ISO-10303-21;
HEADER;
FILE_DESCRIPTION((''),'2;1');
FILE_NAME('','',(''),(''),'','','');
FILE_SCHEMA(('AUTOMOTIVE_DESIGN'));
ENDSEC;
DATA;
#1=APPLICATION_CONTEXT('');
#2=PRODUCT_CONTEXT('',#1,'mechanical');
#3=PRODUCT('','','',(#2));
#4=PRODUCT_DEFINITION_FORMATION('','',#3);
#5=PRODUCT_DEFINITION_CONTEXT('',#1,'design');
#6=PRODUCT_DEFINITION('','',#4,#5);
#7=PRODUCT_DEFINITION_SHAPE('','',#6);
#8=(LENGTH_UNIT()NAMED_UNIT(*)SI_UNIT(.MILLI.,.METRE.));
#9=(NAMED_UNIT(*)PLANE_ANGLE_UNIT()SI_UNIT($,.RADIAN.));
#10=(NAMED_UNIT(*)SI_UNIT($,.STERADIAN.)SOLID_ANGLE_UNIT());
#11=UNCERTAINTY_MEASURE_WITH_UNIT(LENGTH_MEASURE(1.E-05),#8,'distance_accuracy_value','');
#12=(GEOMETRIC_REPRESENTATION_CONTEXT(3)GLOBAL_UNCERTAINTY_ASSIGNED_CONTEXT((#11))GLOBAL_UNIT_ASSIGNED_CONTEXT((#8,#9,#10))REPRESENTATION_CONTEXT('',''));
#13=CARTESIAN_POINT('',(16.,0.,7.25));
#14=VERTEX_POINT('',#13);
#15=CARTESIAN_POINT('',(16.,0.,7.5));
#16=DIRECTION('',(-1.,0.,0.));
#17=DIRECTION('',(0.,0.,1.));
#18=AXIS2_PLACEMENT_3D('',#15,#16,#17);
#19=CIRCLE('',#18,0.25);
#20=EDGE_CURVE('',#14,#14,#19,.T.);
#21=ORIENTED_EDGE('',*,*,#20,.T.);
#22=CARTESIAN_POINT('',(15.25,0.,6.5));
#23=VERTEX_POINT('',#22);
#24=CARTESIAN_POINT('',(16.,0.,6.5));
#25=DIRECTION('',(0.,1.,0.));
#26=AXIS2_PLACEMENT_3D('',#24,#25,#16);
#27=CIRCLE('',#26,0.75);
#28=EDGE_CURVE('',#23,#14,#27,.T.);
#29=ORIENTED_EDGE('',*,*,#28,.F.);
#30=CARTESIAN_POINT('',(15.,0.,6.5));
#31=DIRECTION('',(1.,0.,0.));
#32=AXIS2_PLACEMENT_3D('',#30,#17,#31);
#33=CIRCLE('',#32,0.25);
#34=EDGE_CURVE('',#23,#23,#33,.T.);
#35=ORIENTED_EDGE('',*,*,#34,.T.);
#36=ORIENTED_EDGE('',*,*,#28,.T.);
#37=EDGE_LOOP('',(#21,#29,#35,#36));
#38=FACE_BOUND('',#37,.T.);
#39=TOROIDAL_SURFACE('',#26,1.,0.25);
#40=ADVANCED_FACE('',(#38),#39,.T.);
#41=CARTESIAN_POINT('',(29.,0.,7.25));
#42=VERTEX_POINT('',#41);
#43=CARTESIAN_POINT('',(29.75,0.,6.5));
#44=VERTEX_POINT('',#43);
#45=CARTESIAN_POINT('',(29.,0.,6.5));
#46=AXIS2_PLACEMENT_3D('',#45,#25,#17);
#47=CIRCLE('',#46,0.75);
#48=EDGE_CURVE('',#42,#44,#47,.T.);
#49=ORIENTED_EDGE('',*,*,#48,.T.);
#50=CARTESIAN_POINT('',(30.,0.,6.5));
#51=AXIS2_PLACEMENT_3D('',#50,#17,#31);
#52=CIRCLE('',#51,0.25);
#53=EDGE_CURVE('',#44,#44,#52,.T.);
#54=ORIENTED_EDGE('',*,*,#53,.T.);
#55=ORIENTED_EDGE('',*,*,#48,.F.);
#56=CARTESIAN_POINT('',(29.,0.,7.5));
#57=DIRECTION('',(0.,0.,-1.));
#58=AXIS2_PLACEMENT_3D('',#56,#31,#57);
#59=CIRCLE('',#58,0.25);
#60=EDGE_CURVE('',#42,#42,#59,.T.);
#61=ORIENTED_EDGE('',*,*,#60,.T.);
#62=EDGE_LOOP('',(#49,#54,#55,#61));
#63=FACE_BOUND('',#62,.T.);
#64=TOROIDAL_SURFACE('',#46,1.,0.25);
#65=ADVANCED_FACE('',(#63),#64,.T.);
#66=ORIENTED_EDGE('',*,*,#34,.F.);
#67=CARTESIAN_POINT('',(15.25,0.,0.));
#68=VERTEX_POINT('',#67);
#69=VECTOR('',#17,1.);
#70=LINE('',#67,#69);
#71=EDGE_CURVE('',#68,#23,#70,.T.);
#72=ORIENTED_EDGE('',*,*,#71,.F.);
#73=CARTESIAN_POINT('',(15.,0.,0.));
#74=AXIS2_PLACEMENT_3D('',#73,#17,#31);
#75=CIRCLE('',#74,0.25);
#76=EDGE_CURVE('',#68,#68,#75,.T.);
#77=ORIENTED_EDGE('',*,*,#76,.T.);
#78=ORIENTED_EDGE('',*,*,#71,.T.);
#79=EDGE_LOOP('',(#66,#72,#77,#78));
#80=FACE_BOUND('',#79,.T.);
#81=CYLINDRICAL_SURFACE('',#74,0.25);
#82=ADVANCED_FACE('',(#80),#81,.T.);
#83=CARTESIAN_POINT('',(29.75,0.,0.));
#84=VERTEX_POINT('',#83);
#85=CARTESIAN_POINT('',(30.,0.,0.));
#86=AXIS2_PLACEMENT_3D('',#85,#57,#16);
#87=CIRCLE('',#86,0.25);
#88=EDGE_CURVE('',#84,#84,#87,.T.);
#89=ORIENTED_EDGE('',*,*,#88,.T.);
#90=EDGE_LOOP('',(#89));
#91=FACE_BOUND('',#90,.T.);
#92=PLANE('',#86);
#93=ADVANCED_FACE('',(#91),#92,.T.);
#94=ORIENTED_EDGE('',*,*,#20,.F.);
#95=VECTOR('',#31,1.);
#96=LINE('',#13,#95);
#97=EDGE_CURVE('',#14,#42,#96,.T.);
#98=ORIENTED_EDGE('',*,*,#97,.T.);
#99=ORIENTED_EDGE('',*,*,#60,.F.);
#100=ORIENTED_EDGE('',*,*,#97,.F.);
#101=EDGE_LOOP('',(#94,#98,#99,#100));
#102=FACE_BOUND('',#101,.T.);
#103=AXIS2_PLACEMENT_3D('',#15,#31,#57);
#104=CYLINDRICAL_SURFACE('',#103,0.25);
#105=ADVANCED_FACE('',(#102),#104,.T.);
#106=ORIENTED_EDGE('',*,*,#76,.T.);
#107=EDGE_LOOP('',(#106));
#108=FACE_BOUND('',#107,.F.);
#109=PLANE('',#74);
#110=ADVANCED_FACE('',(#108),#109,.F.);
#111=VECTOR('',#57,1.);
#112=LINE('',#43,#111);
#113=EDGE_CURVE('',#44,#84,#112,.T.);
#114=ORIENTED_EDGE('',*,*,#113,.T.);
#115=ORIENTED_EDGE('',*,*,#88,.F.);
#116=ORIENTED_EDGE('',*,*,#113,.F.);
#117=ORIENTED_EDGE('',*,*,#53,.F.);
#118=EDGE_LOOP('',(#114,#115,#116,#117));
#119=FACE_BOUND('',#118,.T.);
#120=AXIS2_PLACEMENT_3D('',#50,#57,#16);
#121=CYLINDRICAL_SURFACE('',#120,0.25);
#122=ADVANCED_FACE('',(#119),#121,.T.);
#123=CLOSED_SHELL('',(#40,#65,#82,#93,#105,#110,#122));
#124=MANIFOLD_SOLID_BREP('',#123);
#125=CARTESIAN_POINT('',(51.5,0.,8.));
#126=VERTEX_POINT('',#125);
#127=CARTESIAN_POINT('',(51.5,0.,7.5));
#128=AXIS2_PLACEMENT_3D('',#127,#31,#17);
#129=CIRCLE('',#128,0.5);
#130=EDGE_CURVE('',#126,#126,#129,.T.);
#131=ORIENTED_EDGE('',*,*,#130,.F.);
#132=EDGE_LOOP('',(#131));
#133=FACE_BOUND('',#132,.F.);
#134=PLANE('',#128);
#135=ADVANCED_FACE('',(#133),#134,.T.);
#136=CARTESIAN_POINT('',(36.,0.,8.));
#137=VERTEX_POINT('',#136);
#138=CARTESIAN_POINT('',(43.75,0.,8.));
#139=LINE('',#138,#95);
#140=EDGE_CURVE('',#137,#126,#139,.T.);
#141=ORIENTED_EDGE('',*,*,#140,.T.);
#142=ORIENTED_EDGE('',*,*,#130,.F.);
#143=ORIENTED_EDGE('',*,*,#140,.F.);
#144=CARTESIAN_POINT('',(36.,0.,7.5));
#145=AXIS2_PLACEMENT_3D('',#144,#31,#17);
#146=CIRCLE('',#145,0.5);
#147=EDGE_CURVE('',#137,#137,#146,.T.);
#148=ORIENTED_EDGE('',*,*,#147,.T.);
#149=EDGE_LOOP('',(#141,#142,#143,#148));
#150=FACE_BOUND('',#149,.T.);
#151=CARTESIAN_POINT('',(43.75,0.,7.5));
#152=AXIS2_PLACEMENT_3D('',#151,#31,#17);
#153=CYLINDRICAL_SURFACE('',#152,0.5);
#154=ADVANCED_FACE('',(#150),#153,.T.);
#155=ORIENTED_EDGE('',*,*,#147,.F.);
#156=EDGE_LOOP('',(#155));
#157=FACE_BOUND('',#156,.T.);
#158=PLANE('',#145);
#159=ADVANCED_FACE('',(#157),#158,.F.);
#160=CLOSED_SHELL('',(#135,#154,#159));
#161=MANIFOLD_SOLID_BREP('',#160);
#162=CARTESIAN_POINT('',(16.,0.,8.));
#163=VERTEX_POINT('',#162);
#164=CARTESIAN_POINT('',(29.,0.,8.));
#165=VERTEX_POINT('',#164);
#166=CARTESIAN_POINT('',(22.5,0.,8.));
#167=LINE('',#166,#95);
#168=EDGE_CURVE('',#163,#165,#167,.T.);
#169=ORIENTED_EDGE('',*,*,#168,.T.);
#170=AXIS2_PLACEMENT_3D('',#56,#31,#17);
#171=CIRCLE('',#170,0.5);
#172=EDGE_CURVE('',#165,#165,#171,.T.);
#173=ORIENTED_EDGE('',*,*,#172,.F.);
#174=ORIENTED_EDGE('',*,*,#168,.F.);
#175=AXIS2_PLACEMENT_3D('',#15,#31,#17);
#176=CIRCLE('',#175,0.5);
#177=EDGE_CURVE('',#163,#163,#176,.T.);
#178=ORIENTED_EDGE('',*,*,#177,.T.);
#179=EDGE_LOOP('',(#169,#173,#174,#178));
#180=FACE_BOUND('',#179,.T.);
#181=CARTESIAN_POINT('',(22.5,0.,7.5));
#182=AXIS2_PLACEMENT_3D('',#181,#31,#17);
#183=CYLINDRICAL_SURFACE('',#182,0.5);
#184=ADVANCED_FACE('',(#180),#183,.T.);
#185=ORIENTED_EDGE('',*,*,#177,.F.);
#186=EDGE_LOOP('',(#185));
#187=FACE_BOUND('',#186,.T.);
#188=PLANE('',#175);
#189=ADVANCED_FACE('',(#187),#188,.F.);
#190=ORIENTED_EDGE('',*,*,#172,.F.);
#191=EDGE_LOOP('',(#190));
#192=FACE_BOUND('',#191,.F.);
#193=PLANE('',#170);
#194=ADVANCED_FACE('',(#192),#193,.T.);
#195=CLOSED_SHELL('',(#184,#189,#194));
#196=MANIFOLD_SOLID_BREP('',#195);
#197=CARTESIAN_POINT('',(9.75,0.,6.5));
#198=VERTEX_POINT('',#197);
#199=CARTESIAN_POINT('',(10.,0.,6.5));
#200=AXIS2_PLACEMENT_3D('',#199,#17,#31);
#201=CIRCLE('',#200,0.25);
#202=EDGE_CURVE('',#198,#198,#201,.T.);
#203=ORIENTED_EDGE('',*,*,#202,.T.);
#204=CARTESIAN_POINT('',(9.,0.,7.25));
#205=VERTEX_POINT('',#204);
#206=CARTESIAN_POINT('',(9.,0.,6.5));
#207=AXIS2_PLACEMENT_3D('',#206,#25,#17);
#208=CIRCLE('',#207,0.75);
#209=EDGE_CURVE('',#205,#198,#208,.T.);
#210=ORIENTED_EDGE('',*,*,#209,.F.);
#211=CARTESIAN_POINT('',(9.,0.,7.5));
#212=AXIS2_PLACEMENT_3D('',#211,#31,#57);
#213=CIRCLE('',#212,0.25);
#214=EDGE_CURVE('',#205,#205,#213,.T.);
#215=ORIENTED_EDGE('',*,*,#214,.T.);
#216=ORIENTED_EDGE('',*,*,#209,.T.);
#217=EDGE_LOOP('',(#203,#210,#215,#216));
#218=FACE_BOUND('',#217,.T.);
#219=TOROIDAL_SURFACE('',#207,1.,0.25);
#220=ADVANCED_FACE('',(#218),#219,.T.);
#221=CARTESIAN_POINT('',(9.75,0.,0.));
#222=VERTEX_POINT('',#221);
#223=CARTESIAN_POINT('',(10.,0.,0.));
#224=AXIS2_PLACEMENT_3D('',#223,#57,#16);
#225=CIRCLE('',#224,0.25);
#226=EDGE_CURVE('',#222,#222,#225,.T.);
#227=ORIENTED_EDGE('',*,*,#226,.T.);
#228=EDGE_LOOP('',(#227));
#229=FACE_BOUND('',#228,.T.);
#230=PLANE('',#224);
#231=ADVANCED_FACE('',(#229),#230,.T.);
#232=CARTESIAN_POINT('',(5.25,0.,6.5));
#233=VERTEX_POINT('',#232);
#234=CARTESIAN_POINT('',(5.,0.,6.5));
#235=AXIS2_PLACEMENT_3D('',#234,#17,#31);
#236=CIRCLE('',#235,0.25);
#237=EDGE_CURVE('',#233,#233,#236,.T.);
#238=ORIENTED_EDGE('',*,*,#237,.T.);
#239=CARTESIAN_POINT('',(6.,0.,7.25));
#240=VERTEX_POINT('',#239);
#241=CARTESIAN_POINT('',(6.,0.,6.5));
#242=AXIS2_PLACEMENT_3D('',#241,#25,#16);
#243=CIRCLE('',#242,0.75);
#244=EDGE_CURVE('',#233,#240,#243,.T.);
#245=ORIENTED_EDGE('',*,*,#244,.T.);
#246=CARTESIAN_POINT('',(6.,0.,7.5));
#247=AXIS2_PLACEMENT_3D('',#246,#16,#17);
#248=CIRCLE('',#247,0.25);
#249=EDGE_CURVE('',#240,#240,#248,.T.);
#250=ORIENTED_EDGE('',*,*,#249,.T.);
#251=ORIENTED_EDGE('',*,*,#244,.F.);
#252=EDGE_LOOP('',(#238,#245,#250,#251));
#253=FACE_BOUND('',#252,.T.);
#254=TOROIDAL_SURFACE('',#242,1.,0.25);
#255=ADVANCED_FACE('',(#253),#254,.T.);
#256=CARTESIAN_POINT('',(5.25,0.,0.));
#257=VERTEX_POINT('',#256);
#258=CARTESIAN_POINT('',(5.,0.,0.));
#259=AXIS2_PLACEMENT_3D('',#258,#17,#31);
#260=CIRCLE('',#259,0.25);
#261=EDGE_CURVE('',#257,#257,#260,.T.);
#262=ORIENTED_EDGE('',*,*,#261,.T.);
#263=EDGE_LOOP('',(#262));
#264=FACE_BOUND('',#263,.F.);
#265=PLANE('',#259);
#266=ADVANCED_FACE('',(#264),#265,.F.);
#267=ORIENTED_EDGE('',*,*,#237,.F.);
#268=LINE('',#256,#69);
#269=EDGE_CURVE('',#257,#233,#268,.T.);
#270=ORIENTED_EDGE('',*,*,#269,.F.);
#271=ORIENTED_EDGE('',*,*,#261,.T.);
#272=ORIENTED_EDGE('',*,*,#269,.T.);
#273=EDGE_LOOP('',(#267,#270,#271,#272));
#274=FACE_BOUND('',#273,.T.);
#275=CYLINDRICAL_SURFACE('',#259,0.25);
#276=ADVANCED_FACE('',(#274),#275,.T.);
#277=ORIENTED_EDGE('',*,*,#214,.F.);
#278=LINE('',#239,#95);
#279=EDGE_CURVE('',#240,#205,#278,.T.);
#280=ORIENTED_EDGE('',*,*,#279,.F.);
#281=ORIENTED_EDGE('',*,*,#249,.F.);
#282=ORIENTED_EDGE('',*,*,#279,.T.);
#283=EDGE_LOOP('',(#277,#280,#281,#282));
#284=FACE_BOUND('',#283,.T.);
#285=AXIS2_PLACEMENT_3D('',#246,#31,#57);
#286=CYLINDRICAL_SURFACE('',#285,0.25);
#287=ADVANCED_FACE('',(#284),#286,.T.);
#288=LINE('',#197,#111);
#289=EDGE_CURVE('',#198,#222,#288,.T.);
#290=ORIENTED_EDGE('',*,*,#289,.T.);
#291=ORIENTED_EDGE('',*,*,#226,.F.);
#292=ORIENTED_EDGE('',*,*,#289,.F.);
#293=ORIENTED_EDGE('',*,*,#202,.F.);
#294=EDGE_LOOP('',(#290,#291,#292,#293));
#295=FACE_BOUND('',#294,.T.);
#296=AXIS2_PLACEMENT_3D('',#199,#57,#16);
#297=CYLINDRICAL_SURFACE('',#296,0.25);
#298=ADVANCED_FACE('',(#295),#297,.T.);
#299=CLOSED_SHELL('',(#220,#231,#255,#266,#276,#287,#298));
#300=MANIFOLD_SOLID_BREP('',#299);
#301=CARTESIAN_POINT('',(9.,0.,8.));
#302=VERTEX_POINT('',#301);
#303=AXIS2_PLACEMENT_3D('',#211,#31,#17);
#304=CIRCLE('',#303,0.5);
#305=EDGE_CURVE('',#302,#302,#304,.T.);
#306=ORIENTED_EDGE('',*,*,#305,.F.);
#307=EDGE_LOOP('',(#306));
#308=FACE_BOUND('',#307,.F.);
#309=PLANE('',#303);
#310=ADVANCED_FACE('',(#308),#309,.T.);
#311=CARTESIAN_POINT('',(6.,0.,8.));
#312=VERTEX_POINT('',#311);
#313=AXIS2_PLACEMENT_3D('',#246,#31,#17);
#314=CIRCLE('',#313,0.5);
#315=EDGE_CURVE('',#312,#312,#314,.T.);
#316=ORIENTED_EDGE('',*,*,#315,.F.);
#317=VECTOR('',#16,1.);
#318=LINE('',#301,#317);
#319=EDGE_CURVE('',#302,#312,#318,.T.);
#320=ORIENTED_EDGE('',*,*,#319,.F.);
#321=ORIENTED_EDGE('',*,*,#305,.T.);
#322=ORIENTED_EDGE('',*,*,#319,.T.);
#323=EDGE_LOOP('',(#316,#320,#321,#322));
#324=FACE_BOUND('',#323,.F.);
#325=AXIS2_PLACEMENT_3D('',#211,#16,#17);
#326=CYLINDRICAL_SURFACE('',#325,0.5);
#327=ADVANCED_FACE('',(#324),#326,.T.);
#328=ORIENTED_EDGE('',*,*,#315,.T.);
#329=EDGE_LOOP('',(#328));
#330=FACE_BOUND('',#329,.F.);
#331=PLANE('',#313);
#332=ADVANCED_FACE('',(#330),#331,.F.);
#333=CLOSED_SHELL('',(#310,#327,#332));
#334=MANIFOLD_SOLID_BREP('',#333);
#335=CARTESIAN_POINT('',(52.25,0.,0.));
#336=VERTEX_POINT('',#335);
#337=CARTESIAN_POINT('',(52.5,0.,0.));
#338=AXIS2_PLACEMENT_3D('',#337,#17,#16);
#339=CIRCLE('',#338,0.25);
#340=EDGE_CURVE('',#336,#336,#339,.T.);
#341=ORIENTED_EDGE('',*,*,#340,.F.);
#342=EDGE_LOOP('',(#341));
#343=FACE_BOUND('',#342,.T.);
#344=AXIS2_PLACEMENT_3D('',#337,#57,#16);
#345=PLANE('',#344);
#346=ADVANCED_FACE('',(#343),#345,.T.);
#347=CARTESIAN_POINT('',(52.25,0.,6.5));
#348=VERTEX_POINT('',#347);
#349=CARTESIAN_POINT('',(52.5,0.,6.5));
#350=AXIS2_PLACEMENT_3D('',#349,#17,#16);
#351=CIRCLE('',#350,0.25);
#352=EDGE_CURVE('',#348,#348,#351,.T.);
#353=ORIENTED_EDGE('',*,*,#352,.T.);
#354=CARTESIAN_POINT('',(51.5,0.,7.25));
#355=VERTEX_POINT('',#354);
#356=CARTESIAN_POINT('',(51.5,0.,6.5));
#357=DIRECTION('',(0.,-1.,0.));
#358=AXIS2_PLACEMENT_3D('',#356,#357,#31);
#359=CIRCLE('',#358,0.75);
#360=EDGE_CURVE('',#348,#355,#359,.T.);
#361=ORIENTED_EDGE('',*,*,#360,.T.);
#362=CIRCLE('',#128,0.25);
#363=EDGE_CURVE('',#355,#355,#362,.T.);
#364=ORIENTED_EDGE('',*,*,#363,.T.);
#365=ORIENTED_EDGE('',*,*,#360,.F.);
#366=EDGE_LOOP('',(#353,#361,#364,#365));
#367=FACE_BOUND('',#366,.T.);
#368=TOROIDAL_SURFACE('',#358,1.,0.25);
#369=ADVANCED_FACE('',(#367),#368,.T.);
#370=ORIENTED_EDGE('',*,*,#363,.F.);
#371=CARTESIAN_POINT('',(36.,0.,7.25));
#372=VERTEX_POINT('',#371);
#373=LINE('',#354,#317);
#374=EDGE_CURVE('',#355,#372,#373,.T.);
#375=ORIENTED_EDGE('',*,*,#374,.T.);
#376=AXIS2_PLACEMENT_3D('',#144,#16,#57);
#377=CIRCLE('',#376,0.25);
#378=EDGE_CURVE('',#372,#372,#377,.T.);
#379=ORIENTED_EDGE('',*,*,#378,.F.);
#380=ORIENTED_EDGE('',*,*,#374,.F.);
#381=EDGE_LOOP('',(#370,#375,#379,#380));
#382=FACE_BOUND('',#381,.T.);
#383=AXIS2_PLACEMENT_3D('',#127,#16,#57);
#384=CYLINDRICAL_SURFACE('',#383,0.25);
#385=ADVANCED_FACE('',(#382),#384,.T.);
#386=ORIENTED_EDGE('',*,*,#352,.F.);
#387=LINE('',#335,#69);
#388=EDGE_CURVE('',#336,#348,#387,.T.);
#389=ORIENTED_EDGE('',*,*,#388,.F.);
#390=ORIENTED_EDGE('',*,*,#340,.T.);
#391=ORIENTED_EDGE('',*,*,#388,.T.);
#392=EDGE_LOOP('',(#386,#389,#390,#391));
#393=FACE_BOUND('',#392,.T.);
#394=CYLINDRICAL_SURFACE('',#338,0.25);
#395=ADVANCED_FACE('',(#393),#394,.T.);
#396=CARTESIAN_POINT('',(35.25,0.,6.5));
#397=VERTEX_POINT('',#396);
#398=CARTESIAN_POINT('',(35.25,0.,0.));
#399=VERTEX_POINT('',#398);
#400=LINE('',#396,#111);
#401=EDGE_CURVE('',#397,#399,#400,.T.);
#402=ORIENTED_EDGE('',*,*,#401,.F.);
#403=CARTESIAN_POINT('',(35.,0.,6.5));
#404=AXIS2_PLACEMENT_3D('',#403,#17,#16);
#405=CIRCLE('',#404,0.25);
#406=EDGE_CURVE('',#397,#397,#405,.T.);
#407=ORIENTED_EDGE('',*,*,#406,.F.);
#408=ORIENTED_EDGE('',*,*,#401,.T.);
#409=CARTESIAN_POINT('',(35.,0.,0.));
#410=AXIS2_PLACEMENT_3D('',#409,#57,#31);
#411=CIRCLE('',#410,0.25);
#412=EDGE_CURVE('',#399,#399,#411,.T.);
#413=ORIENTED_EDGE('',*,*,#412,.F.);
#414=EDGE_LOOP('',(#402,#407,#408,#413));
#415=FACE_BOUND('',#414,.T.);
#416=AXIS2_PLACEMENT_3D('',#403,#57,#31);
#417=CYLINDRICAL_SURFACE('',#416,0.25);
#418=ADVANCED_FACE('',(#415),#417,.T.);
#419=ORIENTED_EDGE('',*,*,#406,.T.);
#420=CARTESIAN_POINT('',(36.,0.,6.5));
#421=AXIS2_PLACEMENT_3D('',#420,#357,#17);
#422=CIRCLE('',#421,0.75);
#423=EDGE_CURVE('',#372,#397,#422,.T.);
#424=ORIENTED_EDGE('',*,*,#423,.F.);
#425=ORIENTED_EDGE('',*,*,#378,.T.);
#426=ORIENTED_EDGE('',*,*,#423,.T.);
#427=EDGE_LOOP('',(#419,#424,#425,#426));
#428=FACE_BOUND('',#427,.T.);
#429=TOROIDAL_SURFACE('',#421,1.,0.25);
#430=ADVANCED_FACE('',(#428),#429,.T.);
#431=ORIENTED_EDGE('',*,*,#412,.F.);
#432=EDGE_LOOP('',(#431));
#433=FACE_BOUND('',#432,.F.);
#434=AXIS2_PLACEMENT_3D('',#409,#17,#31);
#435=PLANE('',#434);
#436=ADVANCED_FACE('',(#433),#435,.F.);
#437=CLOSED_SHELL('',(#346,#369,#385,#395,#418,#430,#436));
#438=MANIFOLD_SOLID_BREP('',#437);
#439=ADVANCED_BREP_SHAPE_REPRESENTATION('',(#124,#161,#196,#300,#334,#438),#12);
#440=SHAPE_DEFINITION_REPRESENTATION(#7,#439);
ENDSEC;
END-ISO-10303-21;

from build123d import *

# Parameters (mm, degrees)
F1_R   = 0.25
F4_R   = 0.25
F7_W   = 13
F7_H   = 0.5
F7_W_2 = 15.5


with BuildPart() as f2:
    # F2: sweep along a path in F0
    with BuildLine(Plane.XZ) as f2_path:
        Line((5, 0), (5, 6.5))
        ThreePointArc((5, 6.5), (5.2928932188, 7.2071067812), (6, 7.5))
        Line((6, 7.5), (9, 7.5))
        ThreePointArc((9, 7.5), (9.7071067812, 7.2071067812), (10, 6.5))
        Line((10, 6.5), (10, 0))
    # F1 (on Top) → F2 (sweep)
    with BuildSketch(Plane.XY):
        with Locations((5, 0)):
            Circle(F1_R)
    sweep(path=f2_path.line)


with BuildPart() as f5:
    # F5: sweep along a path in F3
    with BuildLine(Plane.XZ) as f5_path:
        Line((15, 0), (15, 6.5))
        ThreePointArc((15, 6.5), (15.2928932188, 7.2071067812), (16, 7.5))
        Line((16, 7.5), (29, 7.5))
        ThreePointArc((29, 7.5), (29.7071067812, 7.2071067812), (30, 6.5))
        Line((30, 6.5), (30, 0))
    # F4 (on Top) → F5 (sweep)
    with BuildSketch(Plane.XY):
        with Locations((15, 0)):
            Circle(F4_R)
    sweep(path=f5_path.line)


with BuildPart() as f6:
    # F6: sweep along a path in F3
    with BuildLine(Plane.XZ) as f6_path:
        Line((52.5, 0), (52.5, 6.5))
        ThreePointArc((52.5, 6.5), (52.2071067812, 7.2071067812), (51.5, 7.5))
        Line((51.5, 7.5), (36, 7.5))
        ThreePointArc((36, 7.5), (35.2928932188, 7.2071067812), (35, 6.5))
        Line((35, 6.5), (35, 0))
    # F4 (on Top) → F6 (sweep)
    with BuildSketch(Plane.XY):
        with Locations((35, 0)):
            Circle(F4_R)
    sweep(path=f6_path.line)


with BuildPart() as f8:
    # F7 (on Front) → F8 (revolve)
    with BuildSketch(Plane.XZ):
        Polygon((6, 8), (6, 7.75), (6, 7.5), (9, 7.5), (9, 7.75), (9, 8), align=None)
    revolve(axis=Axis((28.7184525514, 0, 7.5), (1, 0, 0)))


with BuildPart() as f8b:
    # F7 (on Front) → F8, piece 2 (revolve)
    with BuildSketch(Plane.XZ):
        with Locations((22.5, 7.75)):
            Rectangle(F7_W, F7_H)
    revolve(axis=Axis((28.7184525514, 0, 7.5), (1, 0, 0)))


with BuildPart() as f8c:
    # F7 (on Front) → F8, piece 3 (revolve)
    with BuildSketch(Plane.XZ):
        with Locations((43.75, 7.75)):
            Rectangle(F7_W_2, F7_H)
    revolve(axis=Axis((28.7184525514, 0, 7.5), (1, 0, 0)))


solid = Compound([f2.part, f5.part, f6.part, f8.part, f8b.part, f8c.part])
